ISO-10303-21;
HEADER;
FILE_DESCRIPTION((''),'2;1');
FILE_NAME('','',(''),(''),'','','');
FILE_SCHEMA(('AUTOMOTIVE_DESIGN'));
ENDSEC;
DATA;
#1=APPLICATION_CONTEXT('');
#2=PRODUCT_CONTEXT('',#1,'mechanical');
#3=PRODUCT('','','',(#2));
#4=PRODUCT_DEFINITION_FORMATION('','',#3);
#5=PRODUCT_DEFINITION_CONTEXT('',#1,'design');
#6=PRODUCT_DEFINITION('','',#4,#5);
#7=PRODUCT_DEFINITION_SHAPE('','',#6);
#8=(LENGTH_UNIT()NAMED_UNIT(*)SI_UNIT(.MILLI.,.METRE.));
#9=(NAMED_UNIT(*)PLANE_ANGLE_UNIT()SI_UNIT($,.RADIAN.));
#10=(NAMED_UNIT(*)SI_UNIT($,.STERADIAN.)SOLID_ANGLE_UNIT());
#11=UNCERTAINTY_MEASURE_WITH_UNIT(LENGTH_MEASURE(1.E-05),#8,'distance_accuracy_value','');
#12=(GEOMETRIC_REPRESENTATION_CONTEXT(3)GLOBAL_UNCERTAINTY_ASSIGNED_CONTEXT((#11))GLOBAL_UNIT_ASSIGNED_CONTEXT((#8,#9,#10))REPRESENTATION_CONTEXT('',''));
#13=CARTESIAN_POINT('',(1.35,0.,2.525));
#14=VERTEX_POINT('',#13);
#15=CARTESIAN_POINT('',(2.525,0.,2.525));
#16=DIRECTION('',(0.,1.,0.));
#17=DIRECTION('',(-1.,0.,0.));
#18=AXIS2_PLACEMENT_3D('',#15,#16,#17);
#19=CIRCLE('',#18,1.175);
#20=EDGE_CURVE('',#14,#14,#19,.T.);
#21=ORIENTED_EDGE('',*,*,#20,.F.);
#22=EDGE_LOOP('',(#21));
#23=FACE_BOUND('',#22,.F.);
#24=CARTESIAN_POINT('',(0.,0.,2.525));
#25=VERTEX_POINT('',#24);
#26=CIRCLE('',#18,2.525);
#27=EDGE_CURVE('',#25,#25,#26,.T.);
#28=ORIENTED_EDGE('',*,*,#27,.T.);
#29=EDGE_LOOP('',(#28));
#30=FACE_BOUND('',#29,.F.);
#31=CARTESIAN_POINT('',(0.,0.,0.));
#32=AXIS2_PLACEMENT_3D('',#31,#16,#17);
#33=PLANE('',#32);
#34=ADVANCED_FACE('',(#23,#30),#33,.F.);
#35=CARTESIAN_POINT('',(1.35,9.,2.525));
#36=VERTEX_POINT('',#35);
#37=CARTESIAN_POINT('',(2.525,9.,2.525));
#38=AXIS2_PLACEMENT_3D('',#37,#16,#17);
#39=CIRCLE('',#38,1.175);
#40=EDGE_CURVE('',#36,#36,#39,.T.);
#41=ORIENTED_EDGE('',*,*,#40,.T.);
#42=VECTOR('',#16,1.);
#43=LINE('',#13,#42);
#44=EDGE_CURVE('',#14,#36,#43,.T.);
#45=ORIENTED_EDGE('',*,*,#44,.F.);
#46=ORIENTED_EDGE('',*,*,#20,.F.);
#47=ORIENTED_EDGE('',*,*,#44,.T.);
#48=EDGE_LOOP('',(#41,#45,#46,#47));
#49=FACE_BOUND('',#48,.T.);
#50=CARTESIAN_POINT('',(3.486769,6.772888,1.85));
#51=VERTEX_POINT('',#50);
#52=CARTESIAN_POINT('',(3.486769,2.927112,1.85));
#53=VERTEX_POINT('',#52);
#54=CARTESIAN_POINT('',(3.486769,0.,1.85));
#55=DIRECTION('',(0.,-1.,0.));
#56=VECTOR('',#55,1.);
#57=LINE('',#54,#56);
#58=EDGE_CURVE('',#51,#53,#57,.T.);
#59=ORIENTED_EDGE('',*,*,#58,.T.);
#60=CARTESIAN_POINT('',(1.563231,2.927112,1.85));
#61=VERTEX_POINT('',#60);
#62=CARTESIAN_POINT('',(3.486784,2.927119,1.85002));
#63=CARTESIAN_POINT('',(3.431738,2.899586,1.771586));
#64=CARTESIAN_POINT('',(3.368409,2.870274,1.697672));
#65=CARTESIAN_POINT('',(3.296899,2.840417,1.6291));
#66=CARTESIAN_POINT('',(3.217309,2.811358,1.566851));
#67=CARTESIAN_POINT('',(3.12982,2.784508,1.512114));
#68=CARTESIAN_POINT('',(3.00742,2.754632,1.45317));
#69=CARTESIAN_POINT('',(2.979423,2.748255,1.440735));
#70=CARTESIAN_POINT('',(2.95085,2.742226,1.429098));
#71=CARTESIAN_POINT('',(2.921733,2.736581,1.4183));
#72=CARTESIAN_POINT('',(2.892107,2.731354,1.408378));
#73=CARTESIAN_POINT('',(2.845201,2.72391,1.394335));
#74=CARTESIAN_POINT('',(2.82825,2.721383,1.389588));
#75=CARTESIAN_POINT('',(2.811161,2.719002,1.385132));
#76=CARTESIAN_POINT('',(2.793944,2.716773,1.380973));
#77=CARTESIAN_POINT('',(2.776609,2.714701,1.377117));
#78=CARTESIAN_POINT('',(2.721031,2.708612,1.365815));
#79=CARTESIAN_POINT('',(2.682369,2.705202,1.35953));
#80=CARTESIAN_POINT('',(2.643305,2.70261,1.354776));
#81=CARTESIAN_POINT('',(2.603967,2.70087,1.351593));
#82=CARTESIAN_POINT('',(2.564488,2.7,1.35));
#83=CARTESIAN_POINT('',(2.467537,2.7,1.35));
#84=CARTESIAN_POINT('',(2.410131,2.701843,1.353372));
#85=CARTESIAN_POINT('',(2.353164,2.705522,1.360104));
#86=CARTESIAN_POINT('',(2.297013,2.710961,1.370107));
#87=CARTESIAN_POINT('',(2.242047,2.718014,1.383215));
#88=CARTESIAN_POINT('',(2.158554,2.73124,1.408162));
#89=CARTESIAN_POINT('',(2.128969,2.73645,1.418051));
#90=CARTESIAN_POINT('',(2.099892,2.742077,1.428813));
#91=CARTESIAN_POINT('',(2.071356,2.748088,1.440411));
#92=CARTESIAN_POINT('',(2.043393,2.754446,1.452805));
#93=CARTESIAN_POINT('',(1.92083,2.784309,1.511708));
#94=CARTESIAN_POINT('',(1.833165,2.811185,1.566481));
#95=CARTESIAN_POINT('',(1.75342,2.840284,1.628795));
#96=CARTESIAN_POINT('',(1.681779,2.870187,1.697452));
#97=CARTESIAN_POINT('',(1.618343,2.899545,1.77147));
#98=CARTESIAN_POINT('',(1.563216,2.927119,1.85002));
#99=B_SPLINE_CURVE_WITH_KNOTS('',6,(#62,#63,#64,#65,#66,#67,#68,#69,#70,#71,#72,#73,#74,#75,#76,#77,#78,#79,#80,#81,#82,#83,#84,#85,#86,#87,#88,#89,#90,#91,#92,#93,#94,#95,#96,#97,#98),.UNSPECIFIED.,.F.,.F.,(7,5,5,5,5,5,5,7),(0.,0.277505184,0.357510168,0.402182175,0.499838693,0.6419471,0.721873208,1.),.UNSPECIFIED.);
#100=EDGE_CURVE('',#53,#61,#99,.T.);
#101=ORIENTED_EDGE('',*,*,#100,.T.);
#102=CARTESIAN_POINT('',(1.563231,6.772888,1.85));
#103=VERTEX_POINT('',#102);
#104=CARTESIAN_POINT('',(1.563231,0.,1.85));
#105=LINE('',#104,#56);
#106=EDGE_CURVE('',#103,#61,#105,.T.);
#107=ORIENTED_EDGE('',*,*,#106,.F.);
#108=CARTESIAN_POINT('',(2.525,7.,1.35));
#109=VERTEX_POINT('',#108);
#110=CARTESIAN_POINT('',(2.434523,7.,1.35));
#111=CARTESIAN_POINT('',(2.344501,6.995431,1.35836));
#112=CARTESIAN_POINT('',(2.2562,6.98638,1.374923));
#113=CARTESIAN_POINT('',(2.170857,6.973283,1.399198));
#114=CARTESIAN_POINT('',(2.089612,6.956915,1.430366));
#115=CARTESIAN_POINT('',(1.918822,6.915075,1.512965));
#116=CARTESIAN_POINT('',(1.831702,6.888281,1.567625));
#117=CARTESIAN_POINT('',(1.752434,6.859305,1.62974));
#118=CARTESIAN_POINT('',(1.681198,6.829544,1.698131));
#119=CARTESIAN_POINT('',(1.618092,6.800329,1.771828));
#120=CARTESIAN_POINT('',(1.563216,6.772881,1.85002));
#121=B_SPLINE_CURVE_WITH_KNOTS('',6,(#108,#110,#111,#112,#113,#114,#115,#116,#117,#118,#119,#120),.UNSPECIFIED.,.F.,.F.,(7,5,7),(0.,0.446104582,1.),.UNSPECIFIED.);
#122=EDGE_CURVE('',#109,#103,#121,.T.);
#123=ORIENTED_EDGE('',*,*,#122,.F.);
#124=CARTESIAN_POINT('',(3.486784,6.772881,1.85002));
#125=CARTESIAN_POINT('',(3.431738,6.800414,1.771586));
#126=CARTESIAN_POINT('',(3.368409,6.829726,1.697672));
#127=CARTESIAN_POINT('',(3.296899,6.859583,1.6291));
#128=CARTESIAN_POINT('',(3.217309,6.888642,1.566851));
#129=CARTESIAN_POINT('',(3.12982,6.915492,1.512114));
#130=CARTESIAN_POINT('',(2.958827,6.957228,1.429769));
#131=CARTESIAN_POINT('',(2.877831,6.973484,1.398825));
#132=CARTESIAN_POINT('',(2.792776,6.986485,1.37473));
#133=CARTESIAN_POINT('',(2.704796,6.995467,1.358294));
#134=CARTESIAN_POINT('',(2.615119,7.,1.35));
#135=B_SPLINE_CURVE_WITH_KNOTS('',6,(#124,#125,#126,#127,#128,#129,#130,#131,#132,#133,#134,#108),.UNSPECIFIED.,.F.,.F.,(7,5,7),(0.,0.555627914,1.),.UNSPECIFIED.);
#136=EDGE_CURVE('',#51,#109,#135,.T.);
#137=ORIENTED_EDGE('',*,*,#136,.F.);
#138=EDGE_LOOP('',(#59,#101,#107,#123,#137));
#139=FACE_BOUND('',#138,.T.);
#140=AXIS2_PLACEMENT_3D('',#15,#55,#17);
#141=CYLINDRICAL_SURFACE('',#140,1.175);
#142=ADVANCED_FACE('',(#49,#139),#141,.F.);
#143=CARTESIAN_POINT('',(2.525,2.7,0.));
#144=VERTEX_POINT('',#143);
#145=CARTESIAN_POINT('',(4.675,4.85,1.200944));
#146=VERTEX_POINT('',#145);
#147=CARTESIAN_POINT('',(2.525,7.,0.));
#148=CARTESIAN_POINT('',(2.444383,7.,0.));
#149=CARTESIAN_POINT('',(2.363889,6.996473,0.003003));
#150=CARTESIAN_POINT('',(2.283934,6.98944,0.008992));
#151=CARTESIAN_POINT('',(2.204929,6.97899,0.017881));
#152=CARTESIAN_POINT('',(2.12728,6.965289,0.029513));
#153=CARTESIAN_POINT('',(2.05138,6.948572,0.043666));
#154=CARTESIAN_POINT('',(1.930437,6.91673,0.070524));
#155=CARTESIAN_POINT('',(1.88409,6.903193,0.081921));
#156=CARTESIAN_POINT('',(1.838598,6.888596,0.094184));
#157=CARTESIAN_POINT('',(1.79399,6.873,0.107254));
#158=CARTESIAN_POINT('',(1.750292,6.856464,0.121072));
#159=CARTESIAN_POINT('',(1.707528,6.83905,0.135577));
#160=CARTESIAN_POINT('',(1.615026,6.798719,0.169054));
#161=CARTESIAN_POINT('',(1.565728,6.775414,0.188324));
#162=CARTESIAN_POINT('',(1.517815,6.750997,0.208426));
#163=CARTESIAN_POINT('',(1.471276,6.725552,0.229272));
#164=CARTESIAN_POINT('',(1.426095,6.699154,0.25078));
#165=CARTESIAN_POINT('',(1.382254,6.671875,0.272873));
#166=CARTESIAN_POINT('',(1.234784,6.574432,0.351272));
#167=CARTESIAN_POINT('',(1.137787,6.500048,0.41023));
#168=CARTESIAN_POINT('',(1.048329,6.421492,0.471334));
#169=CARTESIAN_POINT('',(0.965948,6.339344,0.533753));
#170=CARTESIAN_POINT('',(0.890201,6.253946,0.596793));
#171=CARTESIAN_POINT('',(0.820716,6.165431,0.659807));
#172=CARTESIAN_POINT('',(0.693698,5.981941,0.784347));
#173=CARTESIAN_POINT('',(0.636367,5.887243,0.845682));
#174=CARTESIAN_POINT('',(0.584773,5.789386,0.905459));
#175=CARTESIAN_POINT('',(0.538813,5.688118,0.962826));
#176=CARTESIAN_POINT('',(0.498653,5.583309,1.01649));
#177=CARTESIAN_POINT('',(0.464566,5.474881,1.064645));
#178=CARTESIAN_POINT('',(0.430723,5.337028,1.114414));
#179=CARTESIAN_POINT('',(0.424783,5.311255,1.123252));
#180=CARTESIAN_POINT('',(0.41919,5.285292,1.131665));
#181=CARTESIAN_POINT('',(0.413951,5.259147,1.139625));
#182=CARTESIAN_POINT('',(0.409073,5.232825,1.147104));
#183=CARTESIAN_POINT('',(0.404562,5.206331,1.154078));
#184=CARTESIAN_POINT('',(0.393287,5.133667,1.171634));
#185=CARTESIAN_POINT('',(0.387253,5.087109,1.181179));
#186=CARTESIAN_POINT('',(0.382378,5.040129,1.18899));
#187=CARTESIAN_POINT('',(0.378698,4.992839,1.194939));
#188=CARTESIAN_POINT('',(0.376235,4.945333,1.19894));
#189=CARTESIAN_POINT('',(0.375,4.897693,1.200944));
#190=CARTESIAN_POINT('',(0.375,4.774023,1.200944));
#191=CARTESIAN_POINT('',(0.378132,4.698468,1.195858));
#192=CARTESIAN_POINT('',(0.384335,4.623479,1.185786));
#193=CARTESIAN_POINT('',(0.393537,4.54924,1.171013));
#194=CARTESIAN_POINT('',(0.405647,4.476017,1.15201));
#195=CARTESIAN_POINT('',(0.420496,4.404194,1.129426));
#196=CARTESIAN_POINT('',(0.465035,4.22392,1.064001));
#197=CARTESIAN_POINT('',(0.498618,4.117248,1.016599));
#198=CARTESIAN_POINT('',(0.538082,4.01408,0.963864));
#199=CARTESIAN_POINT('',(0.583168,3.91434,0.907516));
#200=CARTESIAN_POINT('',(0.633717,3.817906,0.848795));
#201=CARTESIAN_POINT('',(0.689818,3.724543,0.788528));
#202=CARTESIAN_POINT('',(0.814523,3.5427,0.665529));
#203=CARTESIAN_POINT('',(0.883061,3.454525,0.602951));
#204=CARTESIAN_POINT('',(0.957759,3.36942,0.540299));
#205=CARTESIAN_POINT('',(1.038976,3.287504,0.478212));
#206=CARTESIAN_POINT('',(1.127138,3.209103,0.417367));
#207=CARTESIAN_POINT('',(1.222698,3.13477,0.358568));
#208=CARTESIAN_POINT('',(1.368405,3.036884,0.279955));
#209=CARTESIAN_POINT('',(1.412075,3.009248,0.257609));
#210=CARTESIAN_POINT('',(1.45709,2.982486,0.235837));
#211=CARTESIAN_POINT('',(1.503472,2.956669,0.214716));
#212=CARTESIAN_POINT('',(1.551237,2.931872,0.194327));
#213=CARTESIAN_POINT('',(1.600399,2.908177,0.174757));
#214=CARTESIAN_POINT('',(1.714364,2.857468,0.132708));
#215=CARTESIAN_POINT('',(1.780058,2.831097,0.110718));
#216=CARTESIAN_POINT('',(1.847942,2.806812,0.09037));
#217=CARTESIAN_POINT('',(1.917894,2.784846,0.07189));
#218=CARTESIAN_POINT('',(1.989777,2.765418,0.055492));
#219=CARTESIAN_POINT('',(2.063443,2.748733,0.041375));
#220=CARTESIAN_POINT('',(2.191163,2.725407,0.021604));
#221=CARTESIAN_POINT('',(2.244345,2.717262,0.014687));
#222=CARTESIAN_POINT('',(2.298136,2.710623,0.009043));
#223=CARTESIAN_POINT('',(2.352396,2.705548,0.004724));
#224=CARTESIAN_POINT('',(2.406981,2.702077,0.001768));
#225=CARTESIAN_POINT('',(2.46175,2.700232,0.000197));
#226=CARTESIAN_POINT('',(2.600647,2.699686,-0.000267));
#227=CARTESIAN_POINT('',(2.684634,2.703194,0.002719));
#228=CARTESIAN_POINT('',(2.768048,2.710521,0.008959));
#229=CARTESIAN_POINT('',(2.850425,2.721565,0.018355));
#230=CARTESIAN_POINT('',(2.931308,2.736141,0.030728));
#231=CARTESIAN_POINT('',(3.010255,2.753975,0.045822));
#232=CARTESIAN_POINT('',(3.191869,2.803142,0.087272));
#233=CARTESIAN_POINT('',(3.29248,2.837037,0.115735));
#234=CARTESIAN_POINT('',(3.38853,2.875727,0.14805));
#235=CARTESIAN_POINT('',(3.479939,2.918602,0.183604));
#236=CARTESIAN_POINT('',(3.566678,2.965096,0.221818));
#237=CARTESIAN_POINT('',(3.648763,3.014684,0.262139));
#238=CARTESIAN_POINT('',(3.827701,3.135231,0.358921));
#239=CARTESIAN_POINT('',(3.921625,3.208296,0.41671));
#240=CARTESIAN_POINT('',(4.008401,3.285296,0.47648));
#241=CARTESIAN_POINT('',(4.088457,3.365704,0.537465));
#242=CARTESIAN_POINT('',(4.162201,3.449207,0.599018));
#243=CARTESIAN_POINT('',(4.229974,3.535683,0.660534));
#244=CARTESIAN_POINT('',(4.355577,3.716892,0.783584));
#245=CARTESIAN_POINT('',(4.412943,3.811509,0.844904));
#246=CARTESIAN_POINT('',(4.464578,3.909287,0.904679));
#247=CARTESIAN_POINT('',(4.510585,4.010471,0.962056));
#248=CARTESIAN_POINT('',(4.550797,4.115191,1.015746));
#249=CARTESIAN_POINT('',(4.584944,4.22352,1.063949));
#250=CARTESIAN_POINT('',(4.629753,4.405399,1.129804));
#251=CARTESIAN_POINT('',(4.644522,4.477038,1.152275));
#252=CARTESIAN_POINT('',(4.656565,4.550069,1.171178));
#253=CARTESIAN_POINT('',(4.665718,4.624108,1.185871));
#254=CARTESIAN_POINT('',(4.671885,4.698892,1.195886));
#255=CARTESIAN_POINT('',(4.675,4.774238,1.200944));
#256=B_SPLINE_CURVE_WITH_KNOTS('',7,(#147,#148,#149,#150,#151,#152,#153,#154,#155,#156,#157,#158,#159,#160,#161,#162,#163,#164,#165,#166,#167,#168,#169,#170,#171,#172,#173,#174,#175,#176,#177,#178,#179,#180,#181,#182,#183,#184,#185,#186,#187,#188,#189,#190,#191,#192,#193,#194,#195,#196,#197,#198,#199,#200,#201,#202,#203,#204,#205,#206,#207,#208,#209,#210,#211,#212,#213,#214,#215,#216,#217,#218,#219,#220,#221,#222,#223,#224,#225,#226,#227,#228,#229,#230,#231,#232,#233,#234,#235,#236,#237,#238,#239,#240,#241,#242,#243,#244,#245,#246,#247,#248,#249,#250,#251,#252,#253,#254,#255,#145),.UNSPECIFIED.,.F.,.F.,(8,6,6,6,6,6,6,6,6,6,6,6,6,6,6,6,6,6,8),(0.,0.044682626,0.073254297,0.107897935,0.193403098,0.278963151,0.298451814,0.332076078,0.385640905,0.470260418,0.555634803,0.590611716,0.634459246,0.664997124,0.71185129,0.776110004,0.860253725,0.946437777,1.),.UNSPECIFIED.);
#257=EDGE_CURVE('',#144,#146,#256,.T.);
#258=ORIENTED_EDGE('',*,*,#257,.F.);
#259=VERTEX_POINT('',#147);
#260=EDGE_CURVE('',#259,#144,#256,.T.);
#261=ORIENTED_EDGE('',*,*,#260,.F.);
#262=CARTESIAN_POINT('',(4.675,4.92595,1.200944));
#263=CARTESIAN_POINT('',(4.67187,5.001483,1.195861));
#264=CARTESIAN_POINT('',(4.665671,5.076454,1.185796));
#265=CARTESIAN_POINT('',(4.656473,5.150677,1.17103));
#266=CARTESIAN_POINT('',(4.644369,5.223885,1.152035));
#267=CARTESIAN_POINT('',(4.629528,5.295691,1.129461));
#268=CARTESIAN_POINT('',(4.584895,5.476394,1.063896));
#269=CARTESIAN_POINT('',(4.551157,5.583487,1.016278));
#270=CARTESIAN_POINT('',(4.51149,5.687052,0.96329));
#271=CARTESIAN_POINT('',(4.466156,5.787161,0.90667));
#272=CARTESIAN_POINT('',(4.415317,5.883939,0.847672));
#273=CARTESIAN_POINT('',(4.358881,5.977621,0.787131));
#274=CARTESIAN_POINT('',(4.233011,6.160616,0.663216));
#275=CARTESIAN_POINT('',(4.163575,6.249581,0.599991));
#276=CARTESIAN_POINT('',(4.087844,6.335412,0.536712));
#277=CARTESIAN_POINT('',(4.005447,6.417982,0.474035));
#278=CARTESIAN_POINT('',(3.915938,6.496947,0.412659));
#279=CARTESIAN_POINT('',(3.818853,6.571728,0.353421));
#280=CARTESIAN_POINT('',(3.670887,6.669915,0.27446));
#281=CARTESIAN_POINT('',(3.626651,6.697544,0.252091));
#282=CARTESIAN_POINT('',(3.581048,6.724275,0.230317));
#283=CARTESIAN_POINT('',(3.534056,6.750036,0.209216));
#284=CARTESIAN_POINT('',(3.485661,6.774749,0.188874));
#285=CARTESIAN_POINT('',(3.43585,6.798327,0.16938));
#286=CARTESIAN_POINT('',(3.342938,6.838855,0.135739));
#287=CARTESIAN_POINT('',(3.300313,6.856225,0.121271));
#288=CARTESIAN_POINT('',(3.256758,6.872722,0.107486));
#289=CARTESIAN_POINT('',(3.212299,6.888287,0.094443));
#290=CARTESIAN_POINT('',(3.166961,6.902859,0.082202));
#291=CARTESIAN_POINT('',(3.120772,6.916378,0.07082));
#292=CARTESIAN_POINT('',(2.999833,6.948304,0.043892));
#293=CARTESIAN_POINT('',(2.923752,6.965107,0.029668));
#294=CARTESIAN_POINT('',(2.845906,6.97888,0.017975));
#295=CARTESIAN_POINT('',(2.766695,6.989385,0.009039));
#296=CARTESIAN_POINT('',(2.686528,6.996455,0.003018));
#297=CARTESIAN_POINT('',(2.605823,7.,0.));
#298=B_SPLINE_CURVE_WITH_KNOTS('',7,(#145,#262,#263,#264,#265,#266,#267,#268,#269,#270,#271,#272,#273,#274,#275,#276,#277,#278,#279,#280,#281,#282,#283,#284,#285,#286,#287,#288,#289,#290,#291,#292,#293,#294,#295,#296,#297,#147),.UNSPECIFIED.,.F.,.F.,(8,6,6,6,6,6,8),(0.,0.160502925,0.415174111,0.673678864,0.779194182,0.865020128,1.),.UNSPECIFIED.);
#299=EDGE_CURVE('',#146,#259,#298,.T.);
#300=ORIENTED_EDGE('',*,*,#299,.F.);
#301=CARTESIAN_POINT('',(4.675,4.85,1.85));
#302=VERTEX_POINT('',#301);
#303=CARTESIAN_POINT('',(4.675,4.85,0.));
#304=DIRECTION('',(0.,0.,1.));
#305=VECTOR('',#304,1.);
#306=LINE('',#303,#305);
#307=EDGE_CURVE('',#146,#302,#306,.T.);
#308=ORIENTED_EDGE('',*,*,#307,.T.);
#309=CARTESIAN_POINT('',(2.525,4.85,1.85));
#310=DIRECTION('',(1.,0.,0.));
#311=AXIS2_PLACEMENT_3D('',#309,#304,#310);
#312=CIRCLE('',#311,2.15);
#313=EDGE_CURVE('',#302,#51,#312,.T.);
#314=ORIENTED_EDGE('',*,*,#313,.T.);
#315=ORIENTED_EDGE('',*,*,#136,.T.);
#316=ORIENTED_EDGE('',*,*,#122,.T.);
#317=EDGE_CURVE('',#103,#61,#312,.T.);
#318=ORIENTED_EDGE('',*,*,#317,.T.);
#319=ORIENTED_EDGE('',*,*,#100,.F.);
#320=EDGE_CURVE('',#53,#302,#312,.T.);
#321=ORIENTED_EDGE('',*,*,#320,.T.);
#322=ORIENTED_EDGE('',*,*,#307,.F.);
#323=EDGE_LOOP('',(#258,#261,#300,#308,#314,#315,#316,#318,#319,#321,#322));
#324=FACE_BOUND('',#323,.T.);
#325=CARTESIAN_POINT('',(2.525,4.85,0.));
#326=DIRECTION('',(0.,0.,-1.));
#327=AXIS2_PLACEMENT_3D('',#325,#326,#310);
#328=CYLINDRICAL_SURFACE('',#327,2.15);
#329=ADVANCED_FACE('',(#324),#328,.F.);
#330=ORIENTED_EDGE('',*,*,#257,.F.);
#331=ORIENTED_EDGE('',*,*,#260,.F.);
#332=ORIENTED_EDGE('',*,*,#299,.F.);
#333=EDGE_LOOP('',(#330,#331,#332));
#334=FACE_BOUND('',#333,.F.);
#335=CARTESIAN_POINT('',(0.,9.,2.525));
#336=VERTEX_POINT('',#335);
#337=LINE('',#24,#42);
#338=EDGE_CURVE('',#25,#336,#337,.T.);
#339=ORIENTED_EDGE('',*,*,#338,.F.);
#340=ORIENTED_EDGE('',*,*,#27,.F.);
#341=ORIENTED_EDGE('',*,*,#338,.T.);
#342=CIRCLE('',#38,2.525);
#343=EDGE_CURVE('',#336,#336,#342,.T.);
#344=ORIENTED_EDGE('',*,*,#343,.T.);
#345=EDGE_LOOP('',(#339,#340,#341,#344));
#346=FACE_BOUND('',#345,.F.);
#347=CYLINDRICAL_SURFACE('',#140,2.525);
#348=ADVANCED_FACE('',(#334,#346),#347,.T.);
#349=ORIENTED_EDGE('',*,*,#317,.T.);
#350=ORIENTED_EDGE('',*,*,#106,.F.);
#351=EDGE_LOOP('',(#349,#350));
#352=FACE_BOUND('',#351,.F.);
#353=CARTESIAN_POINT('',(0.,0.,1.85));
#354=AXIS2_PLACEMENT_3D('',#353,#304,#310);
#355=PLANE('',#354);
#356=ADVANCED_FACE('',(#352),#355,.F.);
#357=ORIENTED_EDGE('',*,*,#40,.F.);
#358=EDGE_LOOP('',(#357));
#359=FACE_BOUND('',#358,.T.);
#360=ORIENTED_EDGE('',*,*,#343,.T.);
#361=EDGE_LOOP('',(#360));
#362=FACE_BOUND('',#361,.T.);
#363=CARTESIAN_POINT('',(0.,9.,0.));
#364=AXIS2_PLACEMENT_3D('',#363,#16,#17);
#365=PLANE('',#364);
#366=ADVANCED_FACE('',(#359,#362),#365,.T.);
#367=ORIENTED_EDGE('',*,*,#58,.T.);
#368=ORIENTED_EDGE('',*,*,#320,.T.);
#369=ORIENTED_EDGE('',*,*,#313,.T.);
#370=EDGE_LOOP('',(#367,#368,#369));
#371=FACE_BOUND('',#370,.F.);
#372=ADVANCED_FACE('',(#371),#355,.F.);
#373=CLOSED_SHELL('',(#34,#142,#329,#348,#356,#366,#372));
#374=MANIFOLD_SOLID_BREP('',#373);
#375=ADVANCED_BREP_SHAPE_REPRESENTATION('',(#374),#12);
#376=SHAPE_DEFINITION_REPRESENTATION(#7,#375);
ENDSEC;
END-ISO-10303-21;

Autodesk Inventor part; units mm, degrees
ref_plane "YZ Plane" through (0, 0, 0) normal (1, 0, 0) x (0, 1, 0)
ref_plane "XZ Plane" through (0, 0, 0) normal (0, 1, 0) x (-1, 0, 0)
sketch "Sketch1" plane through (0, 0, 0) normal (0, 1, 0) x (-1, 0, 0)
  circle A0 centre (-2.525, 2.525) radius 1.175
  circle A1 centre (-2.525, 2.525) radius 2.525
  line L0 (0, 0) -> (-7.3028, 0) construction
  line L1 (0, 0) -> (0, 4.3038) construction
  dimension "d0" = 2.35
  dimension "d1" = 5.05
extrude "Extrusion1" add sketch "Sketch1" along normal blind 9
ref_plane "Work Plane1" through (2.525, 0, 1.35) normal (0, 0, 1) x (1, 0, 0)
ref_plane "screwMaxDist" through (2.525, 0, 1.85) normal (0, 0, 1) x (1, 0, 0)
sketch "Sketch2" plane through (0, 0, 0) normal (0, 0, 1) x (1, 0, 0)
  line L0 (5.05, 9) -> (0, 9) projected
  circle A0 centre (2.525, 4.85) radius 2.15
  line L1 (5.05, 9) -> (0, 9) projected
  line L2 (5.05, 0) -> (0, 0) projected
  line L3 (0, 0) -> (0, 9) projected
  line L4 (0, 7) -> (5.05, 7)
  line L5 (5.05, 0) -> (5.05, 9) projected
  dimension "d5" = 4.3
  dimension "d15" = 2
  dimension "d16" = 2.525
  dimension "d17" = 2.525
extrude "Extrusion2" cut sketch "Sketch2" along normal up to surface (1.85 mm away) contours A0
equation "\"d16\" = d17"
properties part number "motor_shaft_adapter" material "ABS Plastic"
